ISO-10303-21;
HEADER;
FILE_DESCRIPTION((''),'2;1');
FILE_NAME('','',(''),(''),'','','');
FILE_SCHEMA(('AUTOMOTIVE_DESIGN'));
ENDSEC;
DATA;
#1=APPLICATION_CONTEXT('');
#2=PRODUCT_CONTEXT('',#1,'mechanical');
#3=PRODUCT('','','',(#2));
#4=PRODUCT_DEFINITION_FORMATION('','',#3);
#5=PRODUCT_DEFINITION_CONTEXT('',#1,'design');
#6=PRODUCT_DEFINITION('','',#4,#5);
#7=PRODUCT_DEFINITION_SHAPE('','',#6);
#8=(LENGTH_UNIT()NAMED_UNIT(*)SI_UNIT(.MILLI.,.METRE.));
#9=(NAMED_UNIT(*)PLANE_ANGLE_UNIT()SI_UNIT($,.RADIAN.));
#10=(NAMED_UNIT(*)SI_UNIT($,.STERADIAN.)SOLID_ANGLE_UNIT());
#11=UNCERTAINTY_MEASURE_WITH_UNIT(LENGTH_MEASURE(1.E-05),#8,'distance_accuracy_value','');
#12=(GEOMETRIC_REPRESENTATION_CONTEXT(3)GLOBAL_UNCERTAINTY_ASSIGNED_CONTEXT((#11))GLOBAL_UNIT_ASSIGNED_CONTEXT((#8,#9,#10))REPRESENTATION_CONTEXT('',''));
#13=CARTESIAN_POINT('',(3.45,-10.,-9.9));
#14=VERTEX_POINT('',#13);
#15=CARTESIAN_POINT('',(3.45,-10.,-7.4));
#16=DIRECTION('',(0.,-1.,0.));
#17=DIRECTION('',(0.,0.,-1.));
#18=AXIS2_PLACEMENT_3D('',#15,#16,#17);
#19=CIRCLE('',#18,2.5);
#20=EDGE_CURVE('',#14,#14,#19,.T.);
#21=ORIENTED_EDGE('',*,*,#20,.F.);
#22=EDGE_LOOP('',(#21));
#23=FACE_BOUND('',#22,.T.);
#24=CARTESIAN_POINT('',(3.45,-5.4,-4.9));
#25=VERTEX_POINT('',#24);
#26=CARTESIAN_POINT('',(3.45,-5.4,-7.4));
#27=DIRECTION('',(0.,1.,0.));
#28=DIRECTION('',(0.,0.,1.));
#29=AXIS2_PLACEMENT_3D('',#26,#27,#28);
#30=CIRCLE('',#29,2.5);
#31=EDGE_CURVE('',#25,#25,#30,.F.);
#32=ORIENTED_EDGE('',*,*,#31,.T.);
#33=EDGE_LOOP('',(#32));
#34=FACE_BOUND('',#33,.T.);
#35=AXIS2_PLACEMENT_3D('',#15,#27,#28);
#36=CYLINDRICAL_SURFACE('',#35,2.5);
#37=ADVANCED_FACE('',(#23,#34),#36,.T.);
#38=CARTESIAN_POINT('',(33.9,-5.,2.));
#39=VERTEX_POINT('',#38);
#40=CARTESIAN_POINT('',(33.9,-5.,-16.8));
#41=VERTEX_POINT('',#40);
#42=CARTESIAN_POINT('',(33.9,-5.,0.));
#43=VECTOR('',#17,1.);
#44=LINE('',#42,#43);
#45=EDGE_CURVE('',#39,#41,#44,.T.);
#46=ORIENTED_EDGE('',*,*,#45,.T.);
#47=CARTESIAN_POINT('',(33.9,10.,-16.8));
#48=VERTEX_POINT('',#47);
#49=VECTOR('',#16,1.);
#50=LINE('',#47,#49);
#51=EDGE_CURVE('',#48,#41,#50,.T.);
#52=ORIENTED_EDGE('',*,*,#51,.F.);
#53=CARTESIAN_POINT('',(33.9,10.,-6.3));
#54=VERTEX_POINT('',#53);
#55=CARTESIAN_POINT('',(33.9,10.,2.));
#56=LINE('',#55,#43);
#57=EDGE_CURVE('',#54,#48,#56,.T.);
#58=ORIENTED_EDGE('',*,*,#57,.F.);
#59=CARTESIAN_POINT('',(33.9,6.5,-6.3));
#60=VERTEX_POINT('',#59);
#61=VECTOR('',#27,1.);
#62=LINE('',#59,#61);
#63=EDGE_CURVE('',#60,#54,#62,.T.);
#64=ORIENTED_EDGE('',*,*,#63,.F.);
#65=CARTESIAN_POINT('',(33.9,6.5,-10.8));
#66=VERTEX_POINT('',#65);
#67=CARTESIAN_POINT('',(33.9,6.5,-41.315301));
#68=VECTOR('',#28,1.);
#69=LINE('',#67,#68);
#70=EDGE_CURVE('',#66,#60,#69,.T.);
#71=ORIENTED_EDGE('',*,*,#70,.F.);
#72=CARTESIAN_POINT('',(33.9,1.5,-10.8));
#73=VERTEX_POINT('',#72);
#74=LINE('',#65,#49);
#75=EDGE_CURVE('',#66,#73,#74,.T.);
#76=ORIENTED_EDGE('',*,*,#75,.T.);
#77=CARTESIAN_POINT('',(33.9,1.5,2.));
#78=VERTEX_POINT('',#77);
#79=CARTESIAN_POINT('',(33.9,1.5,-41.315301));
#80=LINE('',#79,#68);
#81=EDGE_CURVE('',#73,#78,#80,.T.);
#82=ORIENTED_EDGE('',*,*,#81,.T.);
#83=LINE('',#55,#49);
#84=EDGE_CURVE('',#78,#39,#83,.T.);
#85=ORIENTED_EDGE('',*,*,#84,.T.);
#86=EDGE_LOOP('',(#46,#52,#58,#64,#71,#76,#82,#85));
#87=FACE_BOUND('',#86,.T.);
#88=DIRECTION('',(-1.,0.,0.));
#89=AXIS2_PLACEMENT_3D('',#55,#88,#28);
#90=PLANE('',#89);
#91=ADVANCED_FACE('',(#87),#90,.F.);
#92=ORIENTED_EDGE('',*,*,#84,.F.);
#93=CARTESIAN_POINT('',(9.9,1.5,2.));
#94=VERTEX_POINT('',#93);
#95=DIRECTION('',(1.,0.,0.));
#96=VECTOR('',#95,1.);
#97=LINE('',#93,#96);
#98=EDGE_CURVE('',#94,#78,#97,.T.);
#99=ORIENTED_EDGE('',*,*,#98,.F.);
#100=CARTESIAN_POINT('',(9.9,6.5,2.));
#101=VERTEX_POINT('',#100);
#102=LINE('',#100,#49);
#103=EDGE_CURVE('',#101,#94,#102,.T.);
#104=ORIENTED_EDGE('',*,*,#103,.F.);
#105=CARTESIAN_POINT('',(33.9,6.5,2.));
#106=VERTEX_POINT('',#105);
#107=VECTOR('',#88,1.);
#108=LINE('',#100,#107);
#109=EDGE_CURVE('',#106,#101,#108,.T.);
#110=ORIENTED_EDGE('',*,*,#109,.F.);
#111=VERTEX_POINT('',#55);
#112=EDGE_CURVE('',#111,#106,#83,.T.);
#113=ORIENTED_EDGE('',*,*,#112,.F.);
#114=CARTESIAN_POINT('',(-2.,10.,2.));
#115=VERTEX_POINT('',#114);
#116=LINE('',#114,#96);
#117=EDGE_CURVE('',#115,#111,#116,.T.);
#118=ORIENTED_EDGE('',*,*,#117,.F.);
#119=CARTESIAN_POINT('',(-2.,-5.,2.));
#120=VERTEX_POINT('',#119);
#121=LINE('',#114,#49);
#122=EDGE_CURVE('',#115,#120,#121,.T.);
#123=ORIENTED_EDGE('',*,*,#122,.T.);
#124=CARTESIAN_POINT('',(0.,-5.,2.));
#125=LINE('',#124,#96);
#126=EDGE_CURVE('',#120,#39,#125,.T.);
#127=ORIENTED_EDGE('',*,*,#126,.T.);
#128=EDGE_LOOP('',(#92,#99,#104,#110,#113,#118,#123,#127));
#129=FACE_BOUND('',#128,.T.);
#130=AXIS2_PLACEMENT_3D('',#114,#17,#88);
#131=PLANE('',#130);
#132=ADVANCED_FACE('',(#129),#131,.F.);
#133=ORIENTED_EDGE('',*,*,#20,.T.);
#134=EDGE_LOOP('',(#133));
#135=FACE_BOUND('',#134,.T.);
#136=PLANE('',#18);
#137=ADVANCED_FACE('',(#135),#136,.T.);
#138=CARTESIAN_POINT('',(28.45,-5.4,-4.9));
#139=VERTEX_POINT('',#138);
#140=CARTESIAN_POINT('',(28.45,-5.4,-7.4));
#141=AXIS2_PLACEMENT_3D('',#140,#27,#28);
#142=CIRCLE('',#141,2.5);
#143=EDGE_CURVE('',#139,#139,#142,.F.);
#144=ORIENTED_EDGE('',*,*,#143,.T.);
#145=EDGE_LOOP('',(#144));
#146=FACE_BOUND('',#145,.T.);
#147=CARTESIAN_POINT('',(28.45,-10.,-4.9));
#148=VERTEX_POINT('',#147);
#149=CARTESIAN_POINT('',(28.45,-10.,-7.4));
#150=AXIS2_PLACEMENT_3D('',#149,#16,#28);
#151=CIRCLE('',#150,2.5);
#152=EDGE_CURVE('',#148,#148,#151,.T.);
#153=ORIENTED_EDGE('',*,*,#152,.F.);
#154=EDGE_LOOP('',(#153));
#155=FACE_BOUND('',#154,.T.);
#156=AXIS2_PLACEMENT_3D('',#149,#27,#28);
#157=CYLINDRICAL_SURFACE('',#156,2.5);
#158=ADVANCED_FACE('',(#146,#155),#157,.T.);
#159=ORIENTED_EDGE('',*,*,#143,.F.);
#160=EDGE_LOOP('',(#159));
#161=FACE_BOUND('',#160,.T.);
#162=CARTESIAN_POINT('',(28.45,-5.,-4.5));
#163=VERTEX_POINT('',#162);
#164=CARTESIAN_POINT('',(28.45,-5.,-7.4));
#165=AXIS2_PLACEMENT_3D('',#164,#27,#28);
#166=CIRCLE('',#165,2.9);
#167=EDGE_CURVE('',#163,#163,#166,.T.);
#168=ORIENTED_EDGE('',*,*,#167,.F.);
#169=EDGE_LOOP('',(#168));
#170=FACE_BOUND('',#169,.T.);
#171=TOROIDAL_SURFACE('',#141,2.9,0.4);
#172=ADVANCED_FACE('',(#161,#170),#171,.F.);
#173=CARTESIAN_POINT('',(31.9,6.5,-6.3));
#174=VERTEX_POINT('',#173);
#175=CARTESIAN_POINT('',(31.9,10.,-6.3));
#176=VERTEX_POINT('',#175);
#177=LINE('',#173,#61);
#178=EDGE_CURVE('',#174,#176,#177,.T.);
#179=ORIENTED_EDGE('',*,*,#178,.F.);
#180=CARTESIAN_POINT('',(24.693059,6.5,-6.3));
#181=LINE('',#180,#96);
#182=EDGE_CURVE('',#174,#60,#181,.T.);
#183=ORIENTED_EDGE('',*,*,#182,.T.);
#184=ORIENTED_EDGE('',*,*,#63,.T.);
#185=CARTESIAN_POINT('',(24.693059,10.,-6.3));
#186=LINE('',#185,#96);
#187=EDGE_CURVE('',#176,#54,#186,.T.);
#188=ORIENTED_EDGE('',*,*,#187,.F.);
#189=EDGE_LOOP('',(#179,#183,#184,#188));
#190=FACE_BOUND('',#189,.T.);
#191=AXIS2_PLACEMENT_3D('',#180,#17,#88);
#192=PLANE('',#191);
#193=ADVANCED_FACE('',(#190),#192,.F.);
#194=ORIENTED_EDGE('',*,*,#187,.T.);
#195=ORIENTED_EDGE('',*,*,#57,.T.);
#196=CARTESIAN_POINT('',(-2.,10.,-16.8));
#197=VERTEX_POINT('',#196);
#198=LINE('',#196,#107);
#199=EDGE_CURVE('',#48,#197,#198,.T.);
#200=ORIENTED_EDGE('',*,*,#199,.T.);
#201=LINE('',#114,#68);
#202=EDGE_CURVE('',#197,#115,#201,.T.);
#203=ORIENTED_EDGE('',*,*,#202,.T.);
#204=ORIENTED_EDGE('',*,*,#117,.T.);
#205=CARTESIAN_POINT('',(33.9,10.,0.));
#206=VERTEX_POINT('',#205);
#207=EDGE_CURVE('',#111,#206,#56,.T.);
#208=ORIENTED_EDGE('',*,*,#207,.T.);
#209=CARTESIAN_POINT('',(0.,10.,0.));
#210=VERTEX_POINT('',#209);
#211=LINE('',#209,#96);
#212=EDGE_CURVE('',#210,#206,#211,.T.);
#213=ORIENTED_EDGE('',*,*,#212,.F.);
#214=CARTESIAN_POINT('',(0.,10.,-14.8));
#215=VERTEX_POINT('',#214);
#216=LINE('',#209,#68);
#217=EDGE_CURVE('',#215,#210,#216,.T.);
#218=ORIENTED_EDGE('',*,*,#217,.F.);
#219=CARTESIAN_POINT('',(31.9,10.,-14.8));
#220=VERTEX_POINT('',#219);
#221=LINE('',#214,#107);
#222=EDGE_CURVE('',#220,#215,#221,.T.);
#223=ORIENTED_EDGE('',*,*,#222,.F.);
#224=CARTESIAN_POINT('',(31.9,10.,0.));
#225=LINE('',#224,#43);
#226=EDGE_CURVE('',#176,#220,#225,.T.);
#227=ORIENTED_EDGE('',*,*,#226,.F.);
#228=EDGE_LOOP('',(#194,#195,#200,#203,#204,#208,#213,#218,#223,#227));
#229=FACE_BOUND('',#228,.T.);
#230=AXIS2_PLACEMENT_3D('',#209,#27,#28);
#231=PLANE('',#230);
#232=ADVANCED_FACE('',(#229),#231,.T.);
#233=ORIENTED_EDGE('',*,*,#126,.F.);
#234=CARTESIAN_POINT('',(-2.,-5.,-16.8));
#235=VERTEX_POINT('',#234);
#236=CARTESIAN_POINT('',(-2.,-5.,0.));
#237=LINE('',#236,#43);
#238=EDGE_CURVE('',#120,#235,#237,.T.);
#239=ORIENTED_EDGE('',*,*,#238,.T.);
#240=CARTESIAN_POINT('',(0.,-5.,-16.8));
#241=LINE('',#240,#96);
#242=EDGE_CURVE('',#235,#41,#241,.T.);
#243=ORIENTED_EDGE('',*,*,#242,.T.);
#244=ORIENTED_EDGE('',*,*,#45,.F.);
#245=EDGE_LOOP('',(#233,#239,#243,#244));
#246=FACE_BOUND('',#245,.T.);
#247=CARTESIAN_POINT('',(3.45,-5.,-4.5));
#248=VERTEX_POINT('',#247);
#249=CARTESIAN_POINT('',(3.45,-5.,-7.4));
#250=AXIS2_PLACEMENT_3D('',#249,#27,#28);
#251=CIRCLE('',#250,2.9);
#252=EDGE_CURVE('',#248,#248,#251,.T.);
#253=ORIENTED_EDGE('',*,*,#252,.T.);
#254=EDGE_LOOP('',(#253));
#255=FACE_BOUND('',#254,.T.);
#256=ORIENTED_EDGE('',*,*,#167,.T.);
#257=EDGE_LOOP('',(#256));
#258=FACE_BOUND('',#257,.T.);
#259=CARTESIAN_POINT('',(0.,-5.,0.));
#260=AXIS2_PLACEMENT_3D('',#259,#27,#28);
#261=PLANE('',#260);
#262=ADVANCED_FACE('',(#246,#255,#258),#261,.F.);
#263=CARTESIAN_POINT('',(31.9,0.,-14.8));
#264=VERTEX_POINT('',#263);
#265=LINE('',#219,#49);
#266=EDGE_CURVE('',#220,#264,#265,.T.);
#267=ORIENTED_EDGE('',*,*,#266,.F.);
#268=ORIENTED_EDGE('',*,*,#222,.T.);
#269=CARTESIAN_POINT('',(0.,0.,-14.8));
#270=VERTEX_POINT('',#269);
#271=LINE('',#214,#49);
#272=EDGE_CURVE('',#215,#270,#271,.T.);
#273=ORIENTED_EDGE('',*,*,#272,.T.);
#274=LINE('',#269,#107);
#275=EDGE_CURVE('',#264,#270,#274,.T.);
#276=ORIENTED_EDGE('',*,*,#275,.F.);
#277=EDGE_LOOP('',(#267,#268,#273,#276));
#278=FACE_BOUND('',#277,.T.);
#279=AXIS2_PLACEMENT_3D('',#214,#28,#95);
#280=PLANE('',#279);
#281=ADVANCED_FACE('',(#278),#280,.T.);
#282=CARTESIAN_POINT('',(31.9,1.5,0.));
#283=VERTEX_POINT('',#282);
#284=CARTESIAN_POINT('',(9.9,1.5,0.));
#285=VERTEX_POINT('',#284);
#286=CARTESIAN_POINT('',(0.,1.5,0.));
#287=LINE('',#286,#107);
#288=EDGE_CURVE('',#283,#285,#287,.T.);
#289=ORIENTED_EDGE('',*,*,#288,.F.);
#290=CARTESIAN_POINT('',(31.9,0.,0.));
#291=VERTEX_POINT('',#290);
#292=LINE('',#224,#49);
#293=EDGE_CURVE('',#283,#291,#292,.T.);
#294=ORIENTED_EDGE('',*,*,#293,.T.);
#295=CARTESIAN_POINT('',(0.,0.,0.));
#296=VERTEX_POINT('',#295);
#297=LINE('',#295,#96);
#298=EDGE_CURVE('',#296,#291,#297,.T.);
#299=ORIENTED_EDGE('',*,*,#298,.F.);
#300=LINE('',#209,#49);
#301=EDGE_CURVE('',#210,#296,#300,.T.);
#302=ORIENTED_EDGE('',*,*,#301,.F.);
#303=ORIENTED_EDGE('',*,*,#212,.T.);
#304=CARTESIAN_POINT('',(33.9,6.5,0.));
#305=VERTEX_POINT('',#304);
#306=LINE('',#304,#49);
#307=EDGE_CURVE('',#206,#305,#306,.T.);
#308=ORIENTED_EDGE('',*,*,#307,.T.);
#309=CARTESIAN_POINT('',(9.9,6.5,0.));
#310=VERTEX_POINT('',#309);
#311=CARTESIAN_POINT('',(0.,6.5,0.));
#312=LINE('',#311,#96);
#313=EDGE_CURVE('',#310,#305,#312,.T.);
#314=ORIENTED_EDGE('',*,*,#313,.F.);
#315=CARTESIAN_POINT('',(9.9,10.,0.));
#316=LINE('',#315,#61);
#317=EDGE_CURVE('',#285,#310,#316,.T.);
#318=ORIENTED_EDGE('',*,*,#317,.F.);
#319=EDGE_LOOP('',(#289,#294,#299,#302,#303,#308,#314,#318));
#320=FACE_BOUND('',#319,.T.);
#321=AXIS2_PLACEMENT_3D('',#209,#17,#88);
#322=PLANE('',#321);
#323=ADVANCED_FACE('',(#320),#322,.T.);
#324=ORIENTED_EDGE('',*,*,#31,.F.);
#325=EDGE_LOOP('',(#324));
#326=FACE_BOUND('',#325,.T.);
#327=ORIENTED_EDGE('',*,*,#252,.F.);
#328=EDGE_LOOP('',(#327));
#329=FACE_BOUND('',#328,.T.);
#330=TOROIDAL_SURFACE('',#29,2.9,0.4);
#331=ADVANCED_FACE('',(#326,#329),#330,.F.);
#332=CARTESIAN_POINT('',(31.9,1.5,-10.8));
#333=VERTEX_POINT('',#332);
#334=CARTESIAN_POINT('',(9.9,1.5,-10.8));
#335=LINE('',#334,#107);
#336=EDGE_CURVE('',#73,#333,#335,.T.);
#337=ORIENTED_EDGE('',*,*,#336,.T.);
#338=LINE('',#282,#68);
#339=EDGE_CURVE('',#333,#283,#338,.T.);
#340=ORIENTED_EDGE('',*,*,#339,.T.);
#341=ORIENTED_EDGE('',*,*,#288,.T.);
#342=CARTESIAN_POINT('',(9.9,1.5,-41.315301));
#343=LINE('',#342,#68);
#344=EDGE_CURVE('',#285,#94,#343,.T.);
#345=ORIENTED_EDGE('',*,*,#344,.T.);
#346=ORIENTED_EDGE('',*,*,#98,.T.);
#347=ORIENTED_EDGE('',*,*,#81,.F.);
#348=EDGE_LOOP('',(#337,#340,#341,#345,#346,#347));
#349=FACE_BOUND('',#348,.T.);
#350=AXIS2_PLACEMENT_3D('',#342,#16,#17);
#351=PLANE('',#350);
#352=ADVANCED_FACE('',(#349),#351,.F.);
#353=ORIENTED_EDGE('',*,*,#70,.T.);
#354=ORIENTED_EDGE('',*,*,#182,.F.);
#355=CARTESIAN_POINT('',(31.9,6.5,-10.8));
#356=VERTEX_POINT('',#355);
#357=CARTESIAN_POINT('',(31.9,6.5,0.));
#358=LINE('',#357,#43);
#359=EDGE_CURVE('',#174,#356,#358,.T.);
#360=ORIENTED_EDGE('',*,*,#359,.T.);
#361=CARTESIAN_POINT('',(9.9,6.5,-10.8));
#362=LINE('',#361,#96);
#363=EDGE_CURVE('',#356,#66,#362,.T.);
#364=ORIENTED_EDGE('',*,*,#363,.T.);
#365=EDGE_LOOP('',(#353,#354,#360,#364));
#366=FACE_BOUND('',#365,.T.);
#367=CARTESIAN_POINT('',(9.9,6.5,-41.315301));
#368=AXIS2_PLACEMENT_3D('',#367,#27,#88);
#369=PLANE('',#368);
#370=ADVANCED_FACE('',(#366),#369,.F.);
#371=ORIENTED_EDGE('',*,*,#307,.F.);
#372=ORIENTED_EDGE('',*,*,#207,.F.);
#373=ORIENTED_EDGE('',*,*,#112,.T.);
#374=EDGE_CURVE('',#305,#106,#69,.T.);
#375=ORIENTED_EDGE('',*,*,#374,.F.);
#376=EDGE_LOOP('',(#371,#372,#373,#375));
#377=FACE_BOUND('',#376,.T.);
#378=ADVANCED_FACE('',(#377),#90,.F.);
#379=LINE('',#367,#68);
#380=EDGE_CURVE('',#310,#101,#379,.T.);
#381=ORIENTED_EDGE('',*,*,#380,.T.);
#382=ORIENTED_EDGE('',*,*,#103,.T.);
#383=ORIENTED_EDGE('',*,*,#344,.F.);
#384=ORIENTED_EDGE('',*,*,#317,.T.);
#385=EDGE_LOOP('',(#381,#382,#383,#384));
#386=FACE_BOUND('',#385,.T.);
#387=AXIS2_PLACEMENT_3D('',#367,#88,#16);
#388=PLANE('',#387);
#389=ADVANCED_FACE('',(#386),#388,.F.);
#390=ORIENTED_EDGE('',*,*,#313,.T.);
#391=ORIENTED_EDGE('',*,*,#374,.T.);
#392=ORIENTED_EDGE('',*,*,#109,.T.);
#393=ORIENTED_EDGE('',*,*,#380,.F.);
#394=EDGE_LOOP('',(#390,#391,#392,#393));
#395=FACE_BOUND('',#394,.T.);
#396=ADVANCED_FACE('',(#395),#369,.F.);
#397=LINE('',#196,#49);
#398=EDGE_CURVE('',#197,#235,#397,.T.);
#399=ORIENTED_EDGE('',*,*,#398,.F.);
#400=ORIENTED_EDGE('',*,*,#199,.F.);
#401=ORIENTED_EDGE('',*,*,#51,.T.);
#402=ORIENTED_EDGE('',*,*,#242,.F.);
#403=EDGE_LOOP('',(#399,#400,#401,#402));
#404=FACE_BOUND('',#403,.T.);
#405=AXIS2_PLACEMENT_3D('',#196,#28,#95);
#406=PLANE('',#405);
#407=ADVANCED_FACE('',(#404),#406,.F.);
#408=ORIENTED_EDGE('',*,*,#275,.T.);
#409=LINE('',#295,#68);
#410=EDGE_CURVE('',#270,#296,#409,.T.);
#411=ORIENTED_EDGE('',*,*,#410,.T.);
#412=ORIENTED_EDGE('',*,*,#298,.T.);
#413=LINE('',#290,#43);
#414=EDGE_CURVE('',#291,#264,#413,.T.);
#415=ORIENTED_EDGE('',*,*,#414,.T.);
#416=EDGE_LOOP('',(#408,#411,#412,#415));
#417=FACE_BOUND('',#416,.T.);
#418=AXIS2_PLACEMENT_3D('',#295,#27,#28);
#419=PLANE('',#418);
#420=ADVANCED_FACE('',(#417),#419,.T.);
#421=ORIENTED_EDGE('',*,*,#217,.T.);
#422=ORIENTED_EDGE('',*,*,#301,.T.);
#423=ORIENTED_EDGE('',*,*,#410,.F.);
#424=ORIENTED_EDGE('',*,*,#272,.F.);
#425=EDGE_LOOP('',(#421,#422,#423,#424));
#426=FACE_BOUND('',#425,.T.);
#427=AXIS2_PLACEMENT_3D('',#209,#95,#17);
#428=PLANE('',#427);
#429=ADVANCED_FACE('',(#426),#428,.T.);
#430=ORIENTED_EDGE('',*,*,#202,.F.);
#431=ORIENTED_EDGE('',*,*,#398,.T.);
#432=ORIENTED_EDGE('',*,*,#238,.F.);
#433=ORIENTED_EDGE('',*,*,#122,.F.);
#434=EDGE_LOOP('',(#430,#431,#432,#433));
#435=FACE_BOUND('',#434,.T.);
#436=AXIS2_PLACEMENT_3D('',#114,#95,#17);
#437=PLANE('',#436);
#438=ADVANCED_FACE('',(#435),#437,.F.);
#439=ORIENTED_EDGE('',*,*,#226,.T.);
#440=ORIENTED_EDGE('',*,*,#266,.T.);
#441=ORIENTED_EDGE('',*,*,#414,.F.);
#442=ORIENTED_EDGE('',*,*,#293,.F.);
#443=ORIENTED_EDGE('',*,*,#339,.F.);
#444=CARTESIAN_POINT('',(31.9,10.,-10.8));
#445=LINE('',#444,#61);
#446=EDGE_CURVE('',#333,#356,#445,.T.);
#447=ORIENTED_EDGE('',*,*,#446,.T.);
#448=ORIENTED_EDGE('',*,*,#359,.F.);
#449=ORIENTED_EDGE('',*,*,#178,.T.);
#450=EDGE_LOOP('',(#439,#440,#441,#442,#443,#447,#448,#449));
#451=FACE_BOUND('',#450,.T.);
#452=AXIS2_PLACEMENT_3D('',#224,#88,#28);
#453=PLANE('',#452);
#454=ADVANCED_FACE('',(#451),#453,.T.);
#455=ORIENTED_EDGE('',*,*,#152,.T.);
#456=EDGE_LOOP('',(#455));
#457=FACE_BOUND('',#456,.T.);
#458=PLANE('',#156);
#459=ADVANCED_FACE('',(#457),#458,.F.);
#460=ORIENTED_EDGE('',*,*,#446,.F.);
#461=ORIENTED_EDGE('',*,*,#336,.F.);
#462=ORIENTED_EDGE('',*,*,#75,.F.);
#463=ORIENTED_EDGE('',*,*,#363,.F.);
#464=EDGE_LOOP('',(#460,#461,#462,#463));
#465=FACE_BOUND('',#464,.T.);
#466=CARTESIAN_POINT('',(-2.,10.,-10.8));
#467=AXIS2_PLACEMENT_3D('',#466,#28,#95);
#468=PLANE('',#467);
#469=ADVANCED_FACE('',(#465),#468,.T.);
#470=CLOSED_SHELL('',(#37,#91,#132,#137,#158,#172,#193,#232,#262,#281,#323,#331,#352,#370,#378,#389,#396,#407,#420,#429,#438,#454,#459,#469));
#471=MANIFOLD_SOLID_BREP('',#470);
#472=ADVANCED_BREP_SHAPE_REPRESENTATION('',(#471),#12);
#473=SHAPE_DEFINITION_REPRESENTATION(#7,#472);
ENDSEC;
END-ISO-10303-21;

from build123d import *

# Parameters (mm, degrees)
SKETCH1_W           = 35.9
SKETCH1_H           = 18.8
SKETCH1_W_2         = 31.9
SKETCH1_H_2         = 14.8
BOSS_EXTRUDE1_DEPTH = 10
SKETCH1_2_W         = 35.9
SKETCH1_2_H         = 18.8
SKETCH1_2_W_2       = 31.9
SKETCH1_2_H_2       = 14.8
BOSS_EXTRUDE2_DEPTH = 5
SKETCH2_W           = 24
SKETCH2_H           = 5
CUT_EXTRUDE1_DEPTH  = 12.8
SKETCH3_W           = 6.3
SKETCH3_H           = 3.5
CUT_EXTRUDE2_DEPTH  = 2
SKETCH4_R           = 2.5
BOSS_EXTRUDE3_DEPTH = 5
FILLET1_R           = 0.4


with BuildPart() as part:
    # Sketch1 → Boss-Extrude1 (new body)
    with BuildSketch(Plane(origin=(0, 0, 0), x_dir=(1, 0, 0), z_dir=(0, 1, 0))):
        with Locations((15.95, 7.4)):
            Rectangle(SKETCH1_W, SKETCH1_H)
        with Locations((15.95, 7.4)):
            Rectangle(SKETCH1_W_2, SKETCH1_H_2, mode=Mode.SUBTRACT)
    extrude(amount=BOSS_EXTRUDE1_DEPTH)

    # Sketch1<2> → Boss-Extrude2 (add)
    # profile 1 of 2: a face of its own
    with BuildSketch(Plane(origin=(0, 0, 0), x_dir=(1, 0, 0), z_dir=(0, 1, 0))):
        with Locations((15.95, 7.4)):
            Rectangle(SKETCH1_2_W, SKETCH1_2_H)
        with Locations((15.95, 7.4)):
            Rectangle(SKETCH1_2_W_2, SKETCH1_2_H_2, mode=Mode.SUBTRACT)
    # profile 2 of 2: a face of its own
    with BuildSketch(Plane(origin=(0, 0, 0), x_dir=(1, 0, 0), z_dir=(0, 1, 0))):
        with Locations((15.95, 7.4)):
            Rectangle(SKETCH1_2_W_2, SKETCH1_2_H_2)
    extrude(amount=-BOSS_EXTRUDE2_DEPTH)

    # Sketch2 → Cut-Extrude1 (cut)
    with BuildSketch(Plane.XY.offset(2)):
        with Locations((21.9, 4)):
            Rectangle(SKETCH2_W, SKETCH2_H)
    extrude(amount=-CUT_EXTRUDE1_DEPTH, mode=Mode.SUBTRACT)

    # Sketch3 → Cut-Extrude2 (cut)
    with BuildSketch(Plane(origin=(33.9, 0, 0), x_dir=(0, 0, -1), z_dir=(1, 0, 0))):
        with Locations((3.15, 8.25)):
            Rectangle(SKETCH3_W, SKETCH3_H)
    extrude(amount=-CUT_EXTRUDE2_DEPTH, mode=Mode.SUBTRACT)

    # Sketch4 → Boss-Extrude3 (add)
    with BuildSketch(Plane.XZ.offset(5)):
        with Locations(Location((3.45, -7.4, 0), (0, 0, 90))):
            Circle(SKETCH4_R)
        with Locations(Location((28.45, -7.4, 0), (0, 0, 90))):
            Circle(SKETCH4_R)
    extrude(amount=BOSS_EXTRUDE3_DEPTH)

    # Fillet1
    fillet1_edges = [part.edges().sort_by_distance(p)[0] for p in [
        (3.45, -5, -9.9),
        (28.45, -5, -9.9),
    ]]
    fillet(fillet1_edges, radius=FILLET1_R)


solid = part.part
